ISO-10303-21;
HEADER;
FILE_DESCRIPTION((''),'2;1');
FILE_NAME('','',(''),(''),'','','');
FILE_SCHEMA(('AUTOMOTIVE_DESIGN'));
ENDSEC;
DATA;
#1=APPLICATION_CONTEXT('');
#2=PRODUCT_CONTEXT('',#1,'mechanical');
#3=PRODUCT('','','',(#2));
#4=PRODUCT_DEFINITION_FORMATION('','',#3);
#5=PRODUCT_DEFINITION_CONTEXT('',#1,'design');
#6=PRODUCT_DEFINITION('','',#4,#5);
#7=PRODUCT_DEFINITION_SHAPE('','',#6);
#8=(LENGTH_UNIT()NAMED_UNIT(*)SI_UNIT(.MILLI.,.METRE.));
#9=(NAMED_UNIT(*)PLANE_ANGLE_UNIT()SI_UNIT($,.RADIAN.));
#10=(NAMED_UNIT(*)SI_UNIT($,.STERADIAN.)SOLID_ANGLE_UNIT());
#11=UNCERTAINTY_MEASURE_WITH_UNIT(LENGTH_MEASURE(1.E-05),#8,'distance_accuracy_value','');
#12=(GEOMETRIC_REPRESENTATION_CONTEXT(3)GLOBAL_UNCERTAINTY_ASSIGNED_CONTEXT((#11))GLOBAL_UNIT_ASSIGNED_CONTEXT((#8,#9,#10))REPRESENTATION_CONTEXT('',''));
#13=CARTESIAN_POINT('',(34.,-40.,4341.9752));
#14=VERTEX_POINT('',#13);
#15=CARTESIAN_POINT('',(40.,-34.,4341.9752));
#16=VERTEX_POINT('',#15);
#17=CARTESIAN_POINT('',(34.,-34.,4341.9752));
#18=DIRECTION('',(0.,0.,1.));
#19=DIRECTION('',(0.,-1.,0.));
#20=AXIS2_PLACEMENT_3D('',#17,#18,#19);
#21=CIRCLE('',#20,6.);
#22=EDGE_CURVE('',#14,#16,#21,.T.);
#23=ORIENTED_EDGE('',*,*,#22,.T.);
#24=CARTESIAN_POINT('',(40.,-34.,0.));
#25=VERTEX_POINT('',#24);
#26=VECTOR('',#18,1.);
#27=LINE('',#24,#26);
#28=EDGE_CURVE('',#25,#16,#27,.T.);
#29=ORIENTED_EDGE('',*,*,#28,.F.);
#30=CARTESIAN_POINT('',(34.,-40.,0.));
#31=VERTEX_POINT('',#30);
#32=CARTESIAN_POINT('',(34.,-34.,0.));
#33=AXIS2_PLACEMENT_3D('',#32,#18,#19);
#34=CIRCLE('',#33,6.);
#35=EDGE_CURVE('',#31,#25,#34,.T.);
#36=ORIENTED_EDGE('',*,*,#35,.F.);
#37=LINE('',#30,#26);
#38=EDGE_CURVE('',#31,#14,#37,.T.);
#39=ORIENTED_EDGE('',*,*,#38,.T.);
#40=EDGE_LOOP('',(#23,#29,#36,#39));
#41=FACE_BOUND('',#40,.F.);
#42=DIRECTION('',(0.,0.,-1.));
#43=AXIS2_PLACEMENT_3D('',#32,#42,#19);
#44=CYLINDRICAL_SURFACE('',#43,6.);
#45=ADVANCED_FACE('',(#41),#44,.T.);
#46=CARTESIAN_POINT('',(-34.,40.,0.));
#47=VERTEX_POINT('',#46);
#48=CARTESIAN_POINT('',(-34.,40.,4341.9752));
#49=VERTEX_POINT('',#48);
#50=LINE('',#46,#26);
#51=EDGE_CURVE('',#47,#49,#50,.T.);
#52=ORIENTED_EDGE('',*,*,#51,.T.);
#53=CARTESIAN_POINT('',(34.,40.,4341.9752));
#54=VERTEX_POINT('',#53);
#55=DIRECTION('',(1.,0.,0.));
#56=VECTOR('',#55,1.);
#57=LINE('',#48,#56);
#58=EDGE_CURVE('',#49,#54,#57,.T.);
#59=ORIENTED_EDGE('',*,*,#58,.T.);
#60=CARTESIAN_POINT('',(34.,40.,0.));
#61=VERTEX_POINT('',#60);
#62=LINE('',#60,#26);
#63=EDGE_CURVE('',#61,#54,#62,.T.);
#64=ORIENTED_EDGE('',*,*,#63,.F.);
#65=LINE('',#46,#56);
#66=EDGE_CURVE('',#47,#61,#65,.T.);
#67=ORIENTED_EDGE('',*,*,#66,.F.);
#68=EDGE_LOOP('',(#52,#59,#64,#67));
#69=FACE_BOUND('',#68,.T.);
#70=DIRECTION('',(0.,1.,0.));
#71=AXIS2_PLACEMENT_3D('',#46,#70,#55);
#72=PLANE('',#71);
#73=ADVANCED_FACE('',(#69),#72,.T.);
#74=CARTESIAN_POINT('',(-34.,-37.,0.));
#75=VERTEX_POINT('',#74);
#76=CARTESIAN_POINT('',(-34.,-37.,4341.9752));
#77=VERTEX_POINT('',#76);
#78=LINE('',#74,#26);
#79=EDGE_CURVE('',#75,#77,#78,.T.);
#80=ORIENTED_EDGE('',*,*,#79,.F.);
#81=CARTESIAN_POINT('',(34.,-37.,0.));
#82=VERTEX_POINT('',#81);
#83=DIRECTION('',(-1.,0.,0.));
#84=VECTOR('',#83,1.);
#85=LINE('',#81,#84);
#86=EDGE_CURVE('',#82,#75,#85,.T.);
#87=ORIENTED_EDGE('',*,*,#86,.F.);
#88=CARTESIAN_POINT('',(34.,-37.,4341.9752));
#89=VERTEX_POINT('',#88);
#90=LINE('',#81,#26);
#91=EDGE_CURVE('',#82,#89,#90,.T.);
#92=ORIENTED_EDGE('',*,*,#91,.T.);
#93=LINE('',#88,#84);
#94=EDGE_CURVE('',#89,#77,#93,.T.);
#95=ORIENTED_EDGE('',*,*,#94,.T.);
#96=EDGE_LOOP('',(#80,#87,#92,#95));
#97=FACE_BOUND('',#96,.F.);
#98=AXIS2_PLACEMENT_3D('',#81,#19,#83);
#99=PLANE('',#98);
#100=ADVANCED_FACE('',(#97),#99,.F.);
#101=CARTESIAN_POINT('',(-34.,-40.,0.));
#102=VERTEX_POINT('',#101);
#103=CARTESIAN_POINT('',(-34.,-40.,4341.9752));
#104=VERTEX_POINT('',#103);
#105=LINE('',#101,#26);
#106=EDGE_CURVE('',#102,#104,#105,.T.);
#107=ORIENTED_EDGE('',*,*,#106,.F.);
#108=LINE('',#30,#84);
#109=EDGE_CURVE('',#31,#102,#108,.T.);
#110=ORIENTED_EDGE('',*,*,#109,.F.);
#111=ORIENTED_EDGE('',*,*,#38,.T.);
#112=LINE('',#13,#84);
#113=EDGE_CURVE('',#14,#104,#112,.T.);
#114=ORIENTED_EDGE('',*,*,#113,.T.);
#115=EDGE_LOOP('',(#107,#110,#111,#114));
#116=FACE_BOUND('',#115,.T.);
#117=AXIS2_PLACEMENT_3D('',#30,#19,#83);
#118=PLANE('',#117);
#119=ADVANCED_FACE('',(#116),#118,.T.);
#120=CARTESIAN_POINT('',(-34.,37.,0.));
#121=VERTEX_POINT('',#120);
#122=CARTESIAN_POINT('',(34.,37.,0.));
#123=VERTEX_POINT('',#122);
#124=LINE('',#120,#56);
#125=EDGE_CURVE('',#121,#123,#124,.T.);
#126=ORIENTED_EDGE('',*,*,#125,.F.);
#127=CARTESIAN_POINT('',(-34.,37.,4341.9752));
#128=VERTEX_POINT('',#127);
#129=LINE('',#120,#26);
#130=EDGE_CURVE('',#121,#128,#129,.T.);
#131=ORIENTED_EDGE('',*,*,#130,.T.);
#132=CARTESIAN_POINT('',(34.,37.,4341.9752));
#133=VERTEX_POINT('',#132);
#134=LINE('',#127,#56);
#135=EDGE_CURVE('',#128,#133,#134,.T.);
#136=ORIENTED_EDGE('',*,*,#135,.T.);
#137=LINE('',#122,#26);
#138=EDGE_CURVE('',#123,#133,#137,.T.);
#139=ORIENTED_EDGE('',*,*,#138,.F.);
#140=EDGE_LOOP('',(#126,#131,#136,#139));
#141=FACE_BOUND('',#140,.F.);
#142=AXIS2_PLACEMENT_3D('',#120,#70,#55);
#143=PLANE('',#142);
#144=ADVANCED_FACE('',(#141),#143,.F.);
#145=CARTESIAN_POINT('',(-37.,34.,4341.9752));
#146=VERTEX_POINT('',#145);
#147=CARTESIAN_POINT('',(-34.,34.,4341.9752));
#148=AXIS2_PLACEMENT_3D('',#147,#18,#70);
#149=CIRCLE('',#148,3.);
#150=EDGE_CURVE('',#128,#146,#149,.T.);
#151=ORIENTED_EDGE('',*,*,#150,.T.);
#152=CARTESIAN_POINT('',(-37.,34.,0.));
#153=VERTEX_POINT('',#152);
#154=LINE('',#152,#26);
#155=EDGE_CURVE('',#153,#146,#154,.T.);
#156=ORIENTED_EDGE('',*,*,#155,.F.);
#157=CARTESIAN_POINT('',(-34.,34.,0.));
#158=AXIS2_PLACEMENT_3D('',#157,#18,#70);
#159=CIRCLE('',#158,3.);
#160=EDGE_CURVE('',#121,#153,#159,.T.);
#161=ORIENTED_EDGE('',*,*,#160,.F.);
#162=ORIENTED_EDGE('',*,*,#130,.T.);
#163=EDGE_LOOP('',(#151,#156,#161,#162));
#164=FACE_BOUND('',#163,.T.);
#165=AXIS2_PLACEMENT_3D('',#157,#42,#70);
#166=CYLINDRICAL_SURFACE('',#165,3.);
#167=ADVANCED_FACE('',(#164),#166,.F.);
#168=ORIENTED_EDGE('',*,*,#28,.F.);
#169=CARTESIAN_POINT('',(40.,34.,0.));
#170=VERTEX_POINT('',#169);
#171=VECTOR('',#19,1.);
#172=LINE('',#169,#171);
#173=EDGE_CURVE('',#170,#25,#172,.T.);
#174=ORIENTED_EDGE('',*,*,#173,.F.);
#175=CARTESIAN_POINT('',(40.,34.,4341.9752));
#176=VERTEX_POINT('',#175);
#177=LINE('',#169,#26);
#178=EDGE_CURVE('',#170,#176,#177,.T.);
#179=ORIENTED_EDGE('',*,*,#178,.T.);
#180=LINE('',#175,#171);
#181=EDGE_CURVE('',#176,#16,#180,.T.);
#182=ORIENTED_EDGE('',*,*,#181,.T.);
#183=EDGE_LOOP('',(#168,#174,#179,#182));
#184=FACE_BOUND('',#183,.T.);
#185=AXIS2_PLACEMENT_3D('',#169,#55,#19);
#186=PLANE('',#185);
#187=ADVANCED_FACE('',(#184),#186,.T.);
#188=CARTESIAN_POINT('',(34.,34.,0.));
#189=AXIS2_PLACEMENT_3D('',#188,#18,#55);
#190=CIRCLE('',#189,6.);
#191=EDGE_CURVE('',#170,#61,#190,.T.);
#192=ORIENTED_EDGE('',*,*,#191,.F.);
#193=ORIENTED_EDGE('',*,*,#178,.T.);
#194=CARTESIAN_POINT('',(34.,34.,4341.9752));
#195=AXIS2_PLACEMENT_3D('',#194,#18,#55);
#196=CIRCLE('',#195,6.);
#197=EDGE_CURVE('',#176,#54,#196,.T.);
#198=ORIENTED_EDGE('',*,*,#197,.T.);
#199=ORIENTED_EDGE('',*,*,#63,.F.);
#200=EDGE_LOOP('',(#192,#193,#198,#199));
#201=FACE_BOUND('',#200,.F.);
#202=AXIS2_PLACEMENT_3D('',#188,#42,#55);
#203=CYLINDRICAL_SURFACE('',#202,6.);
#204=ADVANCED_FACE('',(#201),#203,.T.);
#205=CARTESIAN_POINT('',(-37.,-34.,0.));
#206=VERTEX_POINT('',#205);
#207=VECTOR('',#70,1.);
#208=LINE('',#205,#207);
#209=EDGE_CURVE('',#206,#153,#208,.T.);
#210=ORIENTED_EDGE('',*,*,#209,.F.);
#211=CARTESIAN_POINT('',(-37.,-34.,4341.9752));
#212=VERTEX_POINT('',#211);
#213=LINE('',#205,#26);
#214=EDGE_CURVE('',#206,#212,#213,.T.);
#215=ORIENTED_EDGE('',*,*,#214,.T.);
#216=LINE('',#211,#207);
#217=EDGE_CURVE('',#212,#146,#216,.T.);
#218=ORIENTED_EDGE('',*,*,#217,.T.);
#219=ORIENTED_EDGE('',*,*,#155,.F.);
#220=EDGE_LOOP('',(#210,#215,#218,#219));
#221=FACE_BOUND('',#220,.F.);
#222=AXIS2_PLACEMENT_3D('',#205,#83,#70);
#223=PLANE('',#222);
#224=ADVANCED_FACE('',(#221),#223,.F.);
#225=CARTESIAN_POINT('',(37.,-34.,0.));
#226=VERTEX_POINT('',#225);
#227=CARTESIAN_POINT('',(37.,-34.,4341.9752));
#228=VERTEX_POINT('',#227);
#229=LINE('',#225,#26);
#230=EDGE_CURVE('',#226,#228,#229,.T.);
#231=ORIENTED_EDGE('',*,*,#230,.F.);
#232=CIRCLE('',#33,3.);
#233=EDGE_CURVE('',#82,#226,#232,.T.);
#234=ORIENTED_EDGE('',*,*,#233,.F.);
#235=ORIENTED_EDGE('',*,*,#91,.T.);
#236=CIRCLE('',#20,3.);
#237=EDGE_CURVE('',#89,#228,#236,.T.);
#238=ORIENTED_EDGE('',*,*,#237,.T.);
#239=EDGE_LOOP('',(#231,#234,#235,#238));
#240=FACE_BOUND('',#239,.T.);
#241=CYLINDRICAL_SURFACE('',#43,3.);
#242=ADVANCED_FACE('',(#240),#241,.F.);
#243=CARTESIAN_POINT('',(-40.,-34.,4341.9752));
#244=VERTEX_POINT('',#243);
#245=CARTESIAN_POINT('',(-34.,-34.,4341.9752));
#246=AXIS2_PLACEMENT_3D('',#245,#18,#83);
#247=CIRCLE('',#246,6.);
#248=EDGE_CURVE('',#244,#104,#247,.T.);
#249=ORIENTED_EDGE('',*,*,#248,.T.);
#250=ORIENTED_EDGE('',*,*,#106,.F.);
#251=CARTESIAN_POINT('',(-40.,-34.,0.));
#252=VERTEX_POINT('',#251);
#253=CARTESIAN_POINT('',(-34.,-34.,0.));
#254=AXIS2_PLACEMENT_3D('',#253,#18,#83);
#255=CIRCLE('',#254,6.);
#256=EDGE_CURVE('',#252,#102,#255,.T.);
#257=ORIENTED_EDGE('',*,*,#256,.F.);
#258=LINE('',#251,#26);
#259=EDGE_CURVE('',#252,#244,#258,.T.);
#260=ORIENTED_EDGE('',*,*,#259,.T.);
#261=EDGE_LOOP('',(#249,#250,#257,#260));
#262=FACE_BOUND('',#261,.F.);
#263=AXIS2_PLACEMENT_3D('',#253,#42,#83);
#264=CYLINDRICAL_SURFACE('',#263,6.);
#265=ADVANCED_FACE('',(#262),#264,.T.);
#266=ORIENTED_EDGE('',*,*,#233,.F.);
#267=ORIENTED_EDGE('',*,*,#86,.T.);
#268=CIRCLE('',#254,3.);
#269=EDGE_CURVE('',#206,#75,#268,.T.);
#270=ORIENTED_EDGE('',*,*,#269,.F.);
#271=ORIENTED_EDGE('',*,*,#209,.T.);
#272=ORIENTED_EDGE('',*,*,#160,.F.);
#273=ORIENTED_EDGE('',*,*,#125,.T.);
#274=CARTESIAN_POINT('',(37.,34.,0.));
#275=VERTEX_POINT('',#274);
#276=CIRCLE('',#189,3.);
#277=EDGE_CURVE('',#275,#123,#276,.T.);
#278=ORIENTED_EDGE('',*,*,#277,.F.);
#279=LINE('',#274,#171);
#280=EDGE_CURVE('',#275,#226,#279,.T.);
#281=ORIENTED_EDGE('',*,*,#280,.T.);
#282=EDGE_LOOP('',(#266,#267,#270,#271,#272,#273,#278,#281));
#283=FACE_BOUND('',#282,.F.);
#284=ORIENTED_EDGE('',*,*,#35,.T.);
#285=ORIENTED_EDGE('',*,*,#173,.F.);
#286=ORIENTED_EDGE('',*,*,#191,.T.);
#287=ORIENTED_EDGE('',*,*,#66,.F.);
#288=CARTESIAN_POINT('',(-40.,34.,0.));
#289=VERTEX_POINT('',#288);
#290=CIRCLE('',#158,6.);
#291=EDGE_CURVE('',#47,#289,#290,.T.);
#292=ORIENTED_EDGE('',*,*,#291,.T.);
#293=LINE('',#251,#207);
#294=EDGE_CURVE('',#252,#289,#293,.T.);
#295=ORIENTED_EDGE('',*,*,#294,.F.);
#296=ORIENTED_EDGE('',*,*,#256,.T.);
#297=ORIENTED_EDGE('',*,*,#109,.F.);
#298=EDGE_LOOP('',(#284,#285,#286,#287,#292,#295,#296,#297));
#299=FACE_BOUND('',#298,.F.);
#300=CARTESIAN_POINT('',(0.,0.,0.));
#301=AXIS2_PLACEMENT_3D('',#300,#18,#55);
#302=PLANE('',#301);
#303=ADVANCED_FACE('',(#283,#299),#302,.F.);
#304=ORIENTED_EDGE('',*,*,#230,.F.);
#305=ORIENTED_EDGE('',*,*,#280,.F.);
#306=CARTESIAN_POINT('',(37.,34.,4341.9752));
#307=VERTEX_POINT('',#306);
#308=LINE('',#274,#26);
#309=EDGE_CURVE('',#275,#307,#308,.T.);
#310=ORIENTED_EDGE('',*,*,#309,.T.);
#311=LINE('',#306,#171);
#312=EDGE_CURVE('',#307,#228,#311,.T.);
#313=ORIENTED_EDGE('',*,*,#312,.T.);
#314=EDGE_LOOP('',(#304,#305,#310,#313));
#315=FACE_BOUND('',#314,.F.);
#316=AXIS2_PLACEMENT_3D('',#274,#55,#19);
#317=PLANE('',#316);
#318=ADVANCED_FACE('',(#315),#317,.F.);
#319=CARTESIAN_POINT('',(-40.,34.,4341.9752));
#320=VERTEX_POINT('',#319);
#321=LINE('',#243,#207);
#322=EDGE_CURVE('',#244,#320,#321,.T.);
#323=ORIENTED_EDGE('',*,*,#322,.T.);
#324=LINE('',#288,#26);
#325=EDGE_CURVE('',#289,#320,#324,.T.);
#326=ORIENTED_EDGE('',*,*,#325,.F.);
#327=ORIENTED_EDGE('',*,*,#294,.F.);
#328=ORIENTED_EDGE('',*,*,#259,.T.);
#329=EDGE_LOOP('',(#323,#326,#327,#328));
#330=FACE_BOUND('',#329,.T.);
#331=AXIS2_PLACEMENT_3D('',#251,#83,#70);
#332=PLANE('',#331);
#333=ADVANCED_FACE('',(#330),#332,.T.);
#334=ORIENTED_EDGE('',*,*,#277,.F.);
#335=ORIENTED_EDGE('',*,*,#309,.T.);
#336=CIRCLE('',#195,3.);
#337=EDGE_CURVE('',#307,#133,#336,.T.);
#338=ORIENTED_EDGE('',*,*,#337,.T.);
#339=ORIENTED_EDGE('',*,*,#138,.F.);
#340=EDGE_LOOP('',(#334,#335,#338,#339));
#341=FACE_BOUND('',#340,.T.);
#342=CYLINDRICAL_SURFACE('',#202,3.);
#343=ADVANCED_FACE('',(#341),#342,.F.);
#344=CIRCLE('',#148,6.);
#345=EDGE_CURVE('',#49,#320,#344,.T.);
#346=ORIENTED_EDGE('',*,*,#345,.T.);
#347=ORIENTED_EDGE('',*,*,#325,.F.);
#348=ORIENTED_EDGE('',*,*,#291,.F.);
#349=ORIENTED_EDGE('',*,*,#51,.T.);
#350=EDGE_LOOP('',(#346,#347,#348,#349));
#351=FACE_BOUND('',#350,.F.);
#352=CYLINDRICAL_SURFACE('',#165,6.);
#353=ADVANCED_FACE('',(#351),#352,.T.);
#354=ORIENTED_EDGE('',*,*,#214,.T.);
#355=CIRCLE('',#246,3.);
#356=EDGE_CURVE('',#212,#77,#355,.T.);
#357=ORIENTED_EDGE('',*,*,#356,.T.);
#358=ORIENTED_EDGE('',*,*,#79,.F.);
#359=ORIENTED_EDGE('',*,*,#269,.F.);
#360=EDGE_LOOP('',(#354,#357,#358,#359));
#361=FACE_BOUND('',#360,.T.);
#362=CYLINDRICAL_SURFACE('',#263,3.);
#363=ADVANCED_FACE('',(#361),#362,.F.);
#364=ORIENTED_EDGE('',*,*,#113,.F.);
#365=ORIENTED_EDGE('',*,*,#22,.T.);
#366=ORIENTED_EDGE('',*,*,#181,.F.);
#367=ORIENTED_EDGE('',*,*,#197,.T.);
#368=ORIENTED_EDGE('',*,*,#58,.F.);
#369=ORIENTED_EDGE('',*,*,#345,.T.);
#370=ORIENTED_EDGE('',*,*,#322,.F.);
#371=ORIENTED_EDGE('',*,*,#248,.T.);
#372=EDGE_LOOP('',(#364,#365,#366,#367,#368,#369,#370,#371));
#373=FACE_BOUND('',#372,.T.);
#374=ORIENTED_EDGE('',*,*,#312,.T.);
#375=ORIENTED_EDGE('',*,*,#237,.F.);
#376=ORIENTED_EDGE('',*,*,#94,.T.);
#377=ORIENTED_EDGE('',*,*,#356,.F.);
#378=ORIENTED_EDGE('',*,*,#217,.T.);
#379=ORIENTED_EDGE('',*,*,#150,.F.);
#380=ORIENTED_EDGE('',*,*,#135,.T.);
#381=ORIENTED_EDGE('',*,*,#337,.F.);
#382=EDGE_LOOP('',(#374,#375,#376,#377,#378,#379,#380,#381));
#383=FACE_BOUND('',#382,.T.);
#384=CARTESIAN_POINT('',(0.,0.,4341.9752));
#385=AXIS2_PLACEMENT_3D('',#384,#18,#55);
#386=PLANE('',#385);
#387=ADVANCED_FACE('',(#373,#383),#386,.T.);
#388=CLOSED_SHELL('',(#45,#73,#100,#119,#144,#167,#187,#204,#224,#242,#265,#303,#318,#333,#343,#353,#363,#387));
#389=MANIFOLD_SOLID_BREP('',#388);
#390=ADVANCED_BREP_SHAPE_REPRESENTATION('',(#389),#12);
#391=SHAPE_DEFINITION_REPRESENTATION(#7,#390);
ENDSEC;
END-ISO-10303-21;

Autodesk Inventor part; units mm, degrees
ref_plane "YZ Plane" through (0, 0, 0) normal (1, 0, 0) x (0, 1, 0)
ref_plane "Start Plane" through (0, 0, 0) normal (0, 0, 1) x (1, 0, 0)
ref_plane "End Plane" through (0, 0, 4341.9752) normal (0, 0, 1) x (1, 0, 0)
sketch "Sketch" plane through (0, 0, 0) normal (0, 0, 1) x (1, 0, 0)
  line L0 (-40, -34) -> (-40, 34)
  line L1 (-34, 40) -> (34, 40)
  line L2 (40, 34) -> (40, -34)
  line L3 (34, -40) -> (-34, -40)
  arc A0 (-40, -34) -> (-34, -40) centre (-34, -34) ccw
  arc A1 (40, 34) -> (34, 40) centre (34, 34) ccw
  arc A2 (-34, 40) -> (-40, 34) centre (-34, 34) ccw
  arc A3 (34, -40) -> (40, -34) centre (34, -34) ccw
  arc A4 (-34, 37) -> (-37, 34) centre (-34, 34) ccw
  line L4 (-34, 37) -> (34, 37)
  arc A5 (37, 34) -> (34, 37) centre (34, 34) ccw
  line L5 (37, 34) -> (37, -34)
  arc A6 (34, -37) -> (37, -34) centre (34, -34) ccw
  line L6 (34, -37) -> (-34, -37)
  arc A7 (-37, -34) -> (-34, -37) centre (-34, -34) ccw
  line L7 (-37, -34) -> (-37, 34)
  line L8 (0, 57.7397) -> (0, -57.7397) construction
  line L9 (-57.7397, 0) -> (57.7397, 0) construction
  dimension "d7" = 6
  dimension "d9" = 80
  dimension "d11" = 80
  dimension "d12" = 3
  dimension "d15" = 40
  dimension "d16" = 40
extrude "Body" add sketch "Sketch" along normal up to surface (4341.9752 mm away) from surface at 0
sketch "Sketch3" plane through (0, 0, 0) normal (0, 0, 1) x (1, 0, 0)
  line L0 (0, 0) -> (10, 0)
ref_plane "Work Plane3" through (0, 0, 0) normal (0, -1, 0) x (1, 0, 0)
sketch "Sketch4" plane through (0, 0, 0) normal (0, -1, 0) x (1, 0, 0)
  line L0 (-2, 0) -> (12, 0) projected
  line L1 (-2, 4341.9752) -> (12, 4341.9752) projected
  dimension "d18" = 4341.9752
equation "\"d7\" = G_IR"
equation "\"d9\" = G_W"
equation "\"d11\" = G_H"
equation "\"d12\" = G_T"
equation "\"d15\" = 0.5 * d9"
equation "\"d16\" = 0.5 * d11"
equation "\"d3\" = G_L"
equation "\"G_W\" = 80"
equation "\"G_H\" = 80"
equation "\"G_T\" = 3"
equation "\"G_IR\" = 6"
equation "\"G_L\" = d18"
equation "\"G_OFFSET_START\" = 0"
equation "\"G_OFFSET_END\" = 0"
equation "\"d14\" = G_OFFSET_END + B_L"
equation "\"B_L\" = 4341.97522"
properties part number "ISO 10799-2 - 80x80x3 - 4341,98" material "Steel, Mild"
